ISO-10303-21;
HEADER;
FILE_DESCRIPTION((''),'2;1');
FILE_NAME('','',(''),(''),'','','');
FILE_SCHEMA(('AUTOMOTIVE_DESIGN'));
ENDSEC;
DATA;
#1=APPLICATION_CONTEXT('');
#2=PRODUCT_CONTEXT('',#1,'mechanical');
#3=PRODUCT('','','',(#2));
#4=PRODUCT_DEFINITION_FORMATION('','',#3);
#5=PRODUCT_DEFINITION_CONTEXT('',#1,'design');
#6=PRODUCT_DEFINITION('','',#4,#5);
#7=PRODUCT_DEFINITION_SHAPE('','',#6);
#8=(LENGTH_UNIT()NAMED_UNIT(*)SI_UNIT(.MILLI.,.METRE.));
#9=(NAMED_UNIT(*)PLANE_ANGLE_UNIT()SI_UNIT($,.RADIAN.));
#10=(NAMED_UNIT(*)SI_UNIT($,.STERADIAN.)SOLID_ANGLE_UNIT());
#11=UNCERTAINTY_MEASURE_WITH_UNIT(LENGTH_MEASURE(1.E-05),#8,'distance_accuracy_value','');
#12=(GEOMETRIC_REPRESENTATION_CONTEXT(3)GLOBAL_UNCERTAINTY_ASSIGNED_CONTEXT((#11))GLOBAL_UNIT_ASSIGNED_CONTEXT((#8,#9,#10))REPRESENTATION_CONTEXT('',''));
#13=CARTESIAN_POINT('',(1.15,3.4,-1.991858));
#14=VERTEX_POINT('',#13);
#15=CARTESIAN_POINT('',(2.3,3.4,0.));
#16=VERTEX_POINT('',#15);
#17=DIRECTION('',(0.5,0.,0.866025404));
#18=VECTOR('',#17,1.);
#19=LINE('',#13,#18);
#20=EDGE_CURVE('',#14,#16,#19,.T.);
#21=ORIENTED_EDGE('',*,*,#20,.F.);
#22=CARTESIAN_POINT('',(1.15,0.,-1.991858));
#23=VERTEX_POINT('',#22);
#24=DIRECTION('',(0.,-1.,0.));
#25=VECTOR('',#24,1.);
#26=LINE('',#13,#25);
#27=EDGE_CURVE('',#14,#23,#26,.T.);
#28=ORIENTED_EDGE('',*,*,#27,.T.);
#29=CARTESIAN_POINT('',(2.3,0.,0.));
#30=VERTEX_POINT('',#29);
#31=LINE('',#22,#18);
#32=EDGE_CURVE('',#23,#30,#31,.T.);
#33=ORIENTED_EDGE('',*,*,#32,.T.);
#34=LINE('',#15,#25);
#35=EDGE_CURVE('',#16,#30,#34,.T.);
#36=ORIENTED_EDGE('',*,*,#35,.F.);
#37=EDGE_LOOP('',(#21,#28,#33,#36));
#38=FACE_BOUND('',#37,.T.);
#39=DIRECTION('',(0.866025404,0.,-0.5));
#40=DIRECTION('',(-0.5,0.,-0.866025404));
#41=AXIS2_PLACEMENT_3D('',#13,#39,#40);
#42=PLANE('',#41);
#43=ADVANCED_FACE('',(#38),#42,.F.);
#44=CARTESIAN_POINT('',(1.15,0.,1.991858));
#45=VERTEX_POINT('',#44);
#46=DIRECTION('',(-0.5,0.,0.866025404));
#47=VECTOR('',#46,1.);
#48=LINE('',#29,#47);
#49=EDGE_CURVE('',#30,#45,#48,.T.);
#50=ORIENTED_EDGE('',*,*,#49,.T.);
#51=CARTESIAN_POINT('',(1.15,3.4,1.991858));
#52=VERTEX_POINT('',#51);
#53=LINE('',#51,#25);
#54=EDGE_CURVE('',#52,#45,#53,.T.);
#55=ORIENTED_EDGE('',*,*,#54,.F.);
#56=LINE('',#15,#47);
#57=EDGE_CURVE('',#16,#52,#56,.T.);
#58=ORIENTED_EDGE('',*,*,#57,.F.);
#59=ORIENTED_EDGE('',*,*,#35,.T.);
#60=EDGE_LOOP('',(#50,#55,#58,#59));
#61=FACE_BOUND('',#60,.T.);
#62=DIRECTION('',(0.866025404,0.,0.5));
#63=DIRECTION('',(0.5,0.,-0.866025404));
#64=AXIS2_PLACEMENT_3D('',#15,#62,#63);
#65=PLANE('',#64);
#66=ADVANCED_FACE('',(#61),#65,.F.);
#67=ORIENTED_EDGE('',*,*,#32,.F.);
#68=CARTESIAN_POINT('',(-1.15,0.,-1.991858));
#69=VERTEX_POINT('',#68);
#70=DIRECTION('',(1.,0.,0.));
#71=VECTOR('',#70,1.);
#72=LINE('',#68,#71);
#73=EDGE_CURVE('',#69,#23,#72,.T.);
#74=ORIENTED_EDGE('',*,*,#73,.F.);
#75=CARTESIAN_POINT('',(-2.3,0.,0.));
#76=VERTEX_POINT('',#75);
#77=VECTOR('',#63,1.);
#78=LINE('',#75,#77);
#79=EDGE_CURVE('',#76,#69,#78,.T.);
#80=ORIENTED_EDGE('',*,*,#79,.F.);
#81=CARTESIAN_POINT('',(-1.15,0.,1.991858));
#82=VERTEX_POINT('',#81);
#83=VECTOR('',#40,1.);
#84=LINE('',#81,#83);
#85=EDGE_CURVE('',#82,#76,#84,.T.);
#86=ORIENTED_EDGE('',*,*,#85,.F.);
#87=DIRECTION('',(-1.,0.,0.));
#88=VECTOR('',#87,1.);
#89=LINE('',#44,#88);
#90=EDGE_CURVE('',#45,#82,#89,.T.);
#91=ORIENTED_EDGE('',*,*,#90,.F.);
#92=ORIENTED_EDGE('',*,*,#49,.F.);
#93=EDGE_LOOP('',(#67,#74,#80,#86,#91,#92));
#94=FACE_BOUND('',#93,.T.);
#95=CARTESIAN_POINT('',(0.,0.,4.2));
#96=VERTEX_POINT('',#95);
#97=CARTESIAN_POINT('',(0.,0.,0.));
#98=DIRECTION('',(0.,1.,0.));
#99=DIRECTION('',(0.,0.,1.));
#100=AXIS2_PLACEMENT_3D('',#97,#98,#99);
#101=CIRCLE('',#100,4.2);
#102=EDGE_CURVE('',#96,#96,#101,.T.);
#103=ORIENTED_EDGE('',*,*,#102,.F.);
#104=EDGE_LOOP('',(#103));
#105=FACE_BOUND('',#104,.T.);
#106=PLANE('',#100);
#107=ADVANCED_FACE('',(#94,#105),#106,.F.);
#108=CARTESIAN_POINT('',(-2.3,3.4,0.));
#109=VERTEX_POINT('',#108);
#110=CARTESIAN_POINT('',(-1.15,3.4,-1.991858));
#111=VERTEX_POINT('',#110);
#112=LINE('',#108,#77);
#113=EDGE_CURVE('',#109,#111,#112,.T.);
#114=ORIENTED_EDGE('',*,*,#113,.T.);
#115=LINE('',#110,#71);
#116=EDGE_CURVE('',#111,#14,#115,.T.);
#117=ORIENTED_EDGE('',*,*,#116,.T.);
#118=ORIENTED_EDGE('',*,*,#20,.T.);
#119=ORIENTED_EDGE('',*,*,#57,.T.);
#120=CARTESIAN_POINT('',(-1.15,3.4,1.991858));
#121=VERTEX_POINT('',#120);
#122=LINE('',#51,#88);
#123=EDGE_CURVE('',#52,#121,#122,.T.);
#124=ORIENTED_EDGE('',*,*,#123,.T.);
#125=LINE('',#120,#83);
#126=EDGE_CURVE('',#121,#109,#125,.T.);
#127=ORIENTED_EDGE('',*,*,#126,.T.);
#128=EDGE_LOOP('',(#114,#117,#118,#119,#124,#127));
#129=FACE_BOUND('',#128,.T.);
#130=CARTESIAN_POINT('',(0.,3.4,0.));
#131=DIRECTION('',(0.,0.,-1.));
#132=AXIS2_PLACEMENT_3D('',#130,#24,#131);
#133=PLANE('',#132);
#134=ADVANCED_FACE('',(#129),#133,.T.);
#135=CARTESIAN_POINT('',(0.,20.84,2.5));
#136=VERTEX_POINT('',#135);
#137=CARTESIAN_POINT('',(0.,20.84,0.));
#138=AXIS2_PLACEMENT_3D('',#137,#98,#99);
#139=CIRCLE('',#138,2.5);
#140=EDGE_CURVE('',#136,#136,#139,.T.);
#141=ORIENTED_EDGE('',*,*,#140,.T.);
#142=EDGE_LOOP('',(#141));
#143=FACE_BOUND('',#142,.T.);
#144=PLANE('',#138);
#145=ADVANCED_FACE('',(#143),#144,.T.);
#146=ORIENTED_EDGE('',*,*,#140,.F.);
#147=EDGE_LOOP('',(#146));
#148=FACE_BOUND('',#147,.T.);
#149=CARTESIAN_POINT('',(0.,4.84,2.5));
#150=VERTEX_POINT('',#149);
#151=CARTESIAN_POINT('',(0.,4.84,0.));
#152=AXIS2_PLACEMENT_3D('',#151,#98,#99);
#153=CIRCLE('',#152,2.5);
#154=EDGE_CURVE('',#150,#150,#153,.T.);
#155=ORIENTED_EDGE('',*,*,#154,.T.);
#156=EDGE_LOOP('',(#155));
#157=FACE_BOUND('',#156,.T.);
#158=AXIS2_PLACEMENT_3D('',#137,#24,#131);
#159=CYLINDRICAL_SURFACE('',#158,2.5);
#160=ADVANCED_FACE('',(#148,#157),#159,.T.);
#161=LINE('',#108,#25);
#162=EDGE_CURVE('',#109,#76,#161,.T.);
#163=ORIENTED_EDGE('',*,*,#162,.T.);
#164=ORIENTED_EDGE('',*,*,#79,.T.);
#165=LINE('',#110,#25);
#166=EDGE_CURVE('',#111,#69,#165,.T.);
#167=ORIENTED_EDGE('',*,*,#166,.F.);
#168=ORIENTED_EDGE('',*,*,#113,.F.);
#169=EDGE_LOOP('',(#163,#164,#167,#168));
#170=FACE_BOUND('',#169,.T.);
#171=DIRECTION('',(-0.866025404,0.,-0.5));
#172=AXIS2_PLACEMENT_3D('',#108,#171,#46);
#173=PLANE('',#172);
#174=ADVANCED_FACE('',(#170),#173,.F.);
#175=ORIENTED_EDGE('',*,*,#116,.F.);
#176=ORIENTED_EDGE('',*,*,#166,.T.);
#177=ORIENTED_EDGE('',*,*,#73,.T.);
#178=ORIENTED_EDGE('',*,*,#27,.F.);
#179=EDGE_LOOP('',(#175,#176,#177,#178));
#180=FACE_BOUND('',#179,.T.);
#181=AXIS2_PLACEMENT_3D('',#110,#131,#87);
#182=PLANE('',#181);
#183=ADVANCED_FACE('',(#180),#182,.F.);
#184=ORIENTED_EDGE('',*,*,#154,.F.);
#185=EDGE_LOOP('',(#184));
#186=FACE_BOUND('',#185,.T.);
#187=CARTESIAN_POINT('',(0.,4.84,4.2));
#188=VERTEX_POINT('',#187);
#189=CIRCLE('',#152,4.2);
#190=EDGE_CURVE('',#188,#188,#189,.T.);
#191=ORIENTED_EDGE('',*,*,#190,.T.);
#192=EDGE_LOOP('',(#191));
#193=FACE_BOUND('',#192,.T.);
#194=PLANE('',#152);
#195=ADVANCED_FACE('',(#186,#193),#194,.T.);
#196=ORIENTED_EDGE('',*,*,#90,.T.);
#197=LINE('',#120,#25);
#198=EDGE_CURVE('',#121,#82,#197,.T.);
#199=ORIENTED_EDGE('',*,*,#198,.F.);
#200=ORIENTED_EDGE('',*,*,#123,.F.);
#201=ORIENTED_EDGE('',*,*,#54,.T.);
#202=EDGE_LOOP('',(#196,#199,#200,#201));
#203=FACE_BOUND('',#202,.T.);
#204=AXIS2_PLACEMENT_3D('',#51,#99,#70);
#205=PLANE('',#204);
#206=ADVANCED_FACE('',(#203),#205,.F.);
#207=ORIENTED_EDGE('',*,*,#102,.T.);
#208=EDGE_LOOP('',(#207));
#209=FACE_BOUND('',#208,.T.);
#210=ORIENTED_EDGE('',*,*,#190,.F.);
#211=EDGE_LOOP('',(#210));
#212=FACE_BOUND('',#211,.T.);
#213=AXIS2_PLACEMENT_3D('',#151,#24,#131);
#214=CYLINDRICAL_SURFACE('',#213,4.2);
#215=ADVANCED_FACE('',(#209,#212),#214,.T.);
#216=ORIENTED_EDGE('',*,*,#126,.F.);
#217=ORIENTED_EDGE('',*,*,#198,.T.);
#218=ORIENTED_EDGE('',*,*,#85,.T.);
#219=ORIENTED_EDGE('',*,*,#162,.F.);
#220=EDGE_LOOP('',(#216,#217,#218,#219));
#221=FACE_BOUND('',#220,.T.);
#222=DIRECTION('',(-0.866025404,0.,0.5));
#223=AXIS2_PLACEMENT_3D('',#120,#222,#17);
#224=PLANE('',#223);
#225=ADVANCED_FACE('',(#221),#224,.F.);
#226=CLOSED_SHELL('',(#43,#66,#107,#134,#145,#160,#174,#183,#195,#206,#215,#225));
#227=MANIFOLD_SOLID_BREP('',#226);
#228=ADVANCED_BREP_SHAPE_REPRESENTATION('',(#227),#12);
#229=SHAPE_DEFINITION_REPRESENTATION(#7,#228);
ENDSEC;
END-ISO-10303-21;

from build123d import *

# Parameters (mm, degrees)
SKETCH_1_R          = 4.2
EXTRUDE_1_DEPTH     = 4.84
SKETCH_2_R          = 2.5
EXTRUDE_2_DEPTH     = 16
CUT_EXTRUDE_1_DEPTH = 3.4


with BuildPart() as part:
    # 草图1 → 凸台-拉伸1 (new body)
    with BuildSketch(Plane(origin=(0, 0, 0), x_dir=(1, 0, 0), z_dir=(0, 1, 0))):
        Circle(SKETCH_1_R)
    extrude(amount=EXTRUDE_1_DEPTH)

    # 草图2 → 凸台-拉伸2 (add)
    with BuildSketch(Plane(origin=(0, 4.84, 0), x_dir=(1, 0, 0), z_dir=(0, 1, 0))):
        Circle(SKETCH_2_R)
    extrude(amount=EXTRUDE_2_DEPTH)

    # 草图3 → 切除-拉伸1 (cut)
    with BuildSketch(Plane.XZ):
        Polygon((2.3, 0), (1.15, 1.991858429), (-1.15, 1.991858429), (-2.3, 0), (-1.15, -1.991858429), (1.15, -1.991858429), align=None)
    extrude(amount=-CUT_EXTRUDE_1_DEPTH, mode=Mode.SUBTRACT)


solid = part.part
